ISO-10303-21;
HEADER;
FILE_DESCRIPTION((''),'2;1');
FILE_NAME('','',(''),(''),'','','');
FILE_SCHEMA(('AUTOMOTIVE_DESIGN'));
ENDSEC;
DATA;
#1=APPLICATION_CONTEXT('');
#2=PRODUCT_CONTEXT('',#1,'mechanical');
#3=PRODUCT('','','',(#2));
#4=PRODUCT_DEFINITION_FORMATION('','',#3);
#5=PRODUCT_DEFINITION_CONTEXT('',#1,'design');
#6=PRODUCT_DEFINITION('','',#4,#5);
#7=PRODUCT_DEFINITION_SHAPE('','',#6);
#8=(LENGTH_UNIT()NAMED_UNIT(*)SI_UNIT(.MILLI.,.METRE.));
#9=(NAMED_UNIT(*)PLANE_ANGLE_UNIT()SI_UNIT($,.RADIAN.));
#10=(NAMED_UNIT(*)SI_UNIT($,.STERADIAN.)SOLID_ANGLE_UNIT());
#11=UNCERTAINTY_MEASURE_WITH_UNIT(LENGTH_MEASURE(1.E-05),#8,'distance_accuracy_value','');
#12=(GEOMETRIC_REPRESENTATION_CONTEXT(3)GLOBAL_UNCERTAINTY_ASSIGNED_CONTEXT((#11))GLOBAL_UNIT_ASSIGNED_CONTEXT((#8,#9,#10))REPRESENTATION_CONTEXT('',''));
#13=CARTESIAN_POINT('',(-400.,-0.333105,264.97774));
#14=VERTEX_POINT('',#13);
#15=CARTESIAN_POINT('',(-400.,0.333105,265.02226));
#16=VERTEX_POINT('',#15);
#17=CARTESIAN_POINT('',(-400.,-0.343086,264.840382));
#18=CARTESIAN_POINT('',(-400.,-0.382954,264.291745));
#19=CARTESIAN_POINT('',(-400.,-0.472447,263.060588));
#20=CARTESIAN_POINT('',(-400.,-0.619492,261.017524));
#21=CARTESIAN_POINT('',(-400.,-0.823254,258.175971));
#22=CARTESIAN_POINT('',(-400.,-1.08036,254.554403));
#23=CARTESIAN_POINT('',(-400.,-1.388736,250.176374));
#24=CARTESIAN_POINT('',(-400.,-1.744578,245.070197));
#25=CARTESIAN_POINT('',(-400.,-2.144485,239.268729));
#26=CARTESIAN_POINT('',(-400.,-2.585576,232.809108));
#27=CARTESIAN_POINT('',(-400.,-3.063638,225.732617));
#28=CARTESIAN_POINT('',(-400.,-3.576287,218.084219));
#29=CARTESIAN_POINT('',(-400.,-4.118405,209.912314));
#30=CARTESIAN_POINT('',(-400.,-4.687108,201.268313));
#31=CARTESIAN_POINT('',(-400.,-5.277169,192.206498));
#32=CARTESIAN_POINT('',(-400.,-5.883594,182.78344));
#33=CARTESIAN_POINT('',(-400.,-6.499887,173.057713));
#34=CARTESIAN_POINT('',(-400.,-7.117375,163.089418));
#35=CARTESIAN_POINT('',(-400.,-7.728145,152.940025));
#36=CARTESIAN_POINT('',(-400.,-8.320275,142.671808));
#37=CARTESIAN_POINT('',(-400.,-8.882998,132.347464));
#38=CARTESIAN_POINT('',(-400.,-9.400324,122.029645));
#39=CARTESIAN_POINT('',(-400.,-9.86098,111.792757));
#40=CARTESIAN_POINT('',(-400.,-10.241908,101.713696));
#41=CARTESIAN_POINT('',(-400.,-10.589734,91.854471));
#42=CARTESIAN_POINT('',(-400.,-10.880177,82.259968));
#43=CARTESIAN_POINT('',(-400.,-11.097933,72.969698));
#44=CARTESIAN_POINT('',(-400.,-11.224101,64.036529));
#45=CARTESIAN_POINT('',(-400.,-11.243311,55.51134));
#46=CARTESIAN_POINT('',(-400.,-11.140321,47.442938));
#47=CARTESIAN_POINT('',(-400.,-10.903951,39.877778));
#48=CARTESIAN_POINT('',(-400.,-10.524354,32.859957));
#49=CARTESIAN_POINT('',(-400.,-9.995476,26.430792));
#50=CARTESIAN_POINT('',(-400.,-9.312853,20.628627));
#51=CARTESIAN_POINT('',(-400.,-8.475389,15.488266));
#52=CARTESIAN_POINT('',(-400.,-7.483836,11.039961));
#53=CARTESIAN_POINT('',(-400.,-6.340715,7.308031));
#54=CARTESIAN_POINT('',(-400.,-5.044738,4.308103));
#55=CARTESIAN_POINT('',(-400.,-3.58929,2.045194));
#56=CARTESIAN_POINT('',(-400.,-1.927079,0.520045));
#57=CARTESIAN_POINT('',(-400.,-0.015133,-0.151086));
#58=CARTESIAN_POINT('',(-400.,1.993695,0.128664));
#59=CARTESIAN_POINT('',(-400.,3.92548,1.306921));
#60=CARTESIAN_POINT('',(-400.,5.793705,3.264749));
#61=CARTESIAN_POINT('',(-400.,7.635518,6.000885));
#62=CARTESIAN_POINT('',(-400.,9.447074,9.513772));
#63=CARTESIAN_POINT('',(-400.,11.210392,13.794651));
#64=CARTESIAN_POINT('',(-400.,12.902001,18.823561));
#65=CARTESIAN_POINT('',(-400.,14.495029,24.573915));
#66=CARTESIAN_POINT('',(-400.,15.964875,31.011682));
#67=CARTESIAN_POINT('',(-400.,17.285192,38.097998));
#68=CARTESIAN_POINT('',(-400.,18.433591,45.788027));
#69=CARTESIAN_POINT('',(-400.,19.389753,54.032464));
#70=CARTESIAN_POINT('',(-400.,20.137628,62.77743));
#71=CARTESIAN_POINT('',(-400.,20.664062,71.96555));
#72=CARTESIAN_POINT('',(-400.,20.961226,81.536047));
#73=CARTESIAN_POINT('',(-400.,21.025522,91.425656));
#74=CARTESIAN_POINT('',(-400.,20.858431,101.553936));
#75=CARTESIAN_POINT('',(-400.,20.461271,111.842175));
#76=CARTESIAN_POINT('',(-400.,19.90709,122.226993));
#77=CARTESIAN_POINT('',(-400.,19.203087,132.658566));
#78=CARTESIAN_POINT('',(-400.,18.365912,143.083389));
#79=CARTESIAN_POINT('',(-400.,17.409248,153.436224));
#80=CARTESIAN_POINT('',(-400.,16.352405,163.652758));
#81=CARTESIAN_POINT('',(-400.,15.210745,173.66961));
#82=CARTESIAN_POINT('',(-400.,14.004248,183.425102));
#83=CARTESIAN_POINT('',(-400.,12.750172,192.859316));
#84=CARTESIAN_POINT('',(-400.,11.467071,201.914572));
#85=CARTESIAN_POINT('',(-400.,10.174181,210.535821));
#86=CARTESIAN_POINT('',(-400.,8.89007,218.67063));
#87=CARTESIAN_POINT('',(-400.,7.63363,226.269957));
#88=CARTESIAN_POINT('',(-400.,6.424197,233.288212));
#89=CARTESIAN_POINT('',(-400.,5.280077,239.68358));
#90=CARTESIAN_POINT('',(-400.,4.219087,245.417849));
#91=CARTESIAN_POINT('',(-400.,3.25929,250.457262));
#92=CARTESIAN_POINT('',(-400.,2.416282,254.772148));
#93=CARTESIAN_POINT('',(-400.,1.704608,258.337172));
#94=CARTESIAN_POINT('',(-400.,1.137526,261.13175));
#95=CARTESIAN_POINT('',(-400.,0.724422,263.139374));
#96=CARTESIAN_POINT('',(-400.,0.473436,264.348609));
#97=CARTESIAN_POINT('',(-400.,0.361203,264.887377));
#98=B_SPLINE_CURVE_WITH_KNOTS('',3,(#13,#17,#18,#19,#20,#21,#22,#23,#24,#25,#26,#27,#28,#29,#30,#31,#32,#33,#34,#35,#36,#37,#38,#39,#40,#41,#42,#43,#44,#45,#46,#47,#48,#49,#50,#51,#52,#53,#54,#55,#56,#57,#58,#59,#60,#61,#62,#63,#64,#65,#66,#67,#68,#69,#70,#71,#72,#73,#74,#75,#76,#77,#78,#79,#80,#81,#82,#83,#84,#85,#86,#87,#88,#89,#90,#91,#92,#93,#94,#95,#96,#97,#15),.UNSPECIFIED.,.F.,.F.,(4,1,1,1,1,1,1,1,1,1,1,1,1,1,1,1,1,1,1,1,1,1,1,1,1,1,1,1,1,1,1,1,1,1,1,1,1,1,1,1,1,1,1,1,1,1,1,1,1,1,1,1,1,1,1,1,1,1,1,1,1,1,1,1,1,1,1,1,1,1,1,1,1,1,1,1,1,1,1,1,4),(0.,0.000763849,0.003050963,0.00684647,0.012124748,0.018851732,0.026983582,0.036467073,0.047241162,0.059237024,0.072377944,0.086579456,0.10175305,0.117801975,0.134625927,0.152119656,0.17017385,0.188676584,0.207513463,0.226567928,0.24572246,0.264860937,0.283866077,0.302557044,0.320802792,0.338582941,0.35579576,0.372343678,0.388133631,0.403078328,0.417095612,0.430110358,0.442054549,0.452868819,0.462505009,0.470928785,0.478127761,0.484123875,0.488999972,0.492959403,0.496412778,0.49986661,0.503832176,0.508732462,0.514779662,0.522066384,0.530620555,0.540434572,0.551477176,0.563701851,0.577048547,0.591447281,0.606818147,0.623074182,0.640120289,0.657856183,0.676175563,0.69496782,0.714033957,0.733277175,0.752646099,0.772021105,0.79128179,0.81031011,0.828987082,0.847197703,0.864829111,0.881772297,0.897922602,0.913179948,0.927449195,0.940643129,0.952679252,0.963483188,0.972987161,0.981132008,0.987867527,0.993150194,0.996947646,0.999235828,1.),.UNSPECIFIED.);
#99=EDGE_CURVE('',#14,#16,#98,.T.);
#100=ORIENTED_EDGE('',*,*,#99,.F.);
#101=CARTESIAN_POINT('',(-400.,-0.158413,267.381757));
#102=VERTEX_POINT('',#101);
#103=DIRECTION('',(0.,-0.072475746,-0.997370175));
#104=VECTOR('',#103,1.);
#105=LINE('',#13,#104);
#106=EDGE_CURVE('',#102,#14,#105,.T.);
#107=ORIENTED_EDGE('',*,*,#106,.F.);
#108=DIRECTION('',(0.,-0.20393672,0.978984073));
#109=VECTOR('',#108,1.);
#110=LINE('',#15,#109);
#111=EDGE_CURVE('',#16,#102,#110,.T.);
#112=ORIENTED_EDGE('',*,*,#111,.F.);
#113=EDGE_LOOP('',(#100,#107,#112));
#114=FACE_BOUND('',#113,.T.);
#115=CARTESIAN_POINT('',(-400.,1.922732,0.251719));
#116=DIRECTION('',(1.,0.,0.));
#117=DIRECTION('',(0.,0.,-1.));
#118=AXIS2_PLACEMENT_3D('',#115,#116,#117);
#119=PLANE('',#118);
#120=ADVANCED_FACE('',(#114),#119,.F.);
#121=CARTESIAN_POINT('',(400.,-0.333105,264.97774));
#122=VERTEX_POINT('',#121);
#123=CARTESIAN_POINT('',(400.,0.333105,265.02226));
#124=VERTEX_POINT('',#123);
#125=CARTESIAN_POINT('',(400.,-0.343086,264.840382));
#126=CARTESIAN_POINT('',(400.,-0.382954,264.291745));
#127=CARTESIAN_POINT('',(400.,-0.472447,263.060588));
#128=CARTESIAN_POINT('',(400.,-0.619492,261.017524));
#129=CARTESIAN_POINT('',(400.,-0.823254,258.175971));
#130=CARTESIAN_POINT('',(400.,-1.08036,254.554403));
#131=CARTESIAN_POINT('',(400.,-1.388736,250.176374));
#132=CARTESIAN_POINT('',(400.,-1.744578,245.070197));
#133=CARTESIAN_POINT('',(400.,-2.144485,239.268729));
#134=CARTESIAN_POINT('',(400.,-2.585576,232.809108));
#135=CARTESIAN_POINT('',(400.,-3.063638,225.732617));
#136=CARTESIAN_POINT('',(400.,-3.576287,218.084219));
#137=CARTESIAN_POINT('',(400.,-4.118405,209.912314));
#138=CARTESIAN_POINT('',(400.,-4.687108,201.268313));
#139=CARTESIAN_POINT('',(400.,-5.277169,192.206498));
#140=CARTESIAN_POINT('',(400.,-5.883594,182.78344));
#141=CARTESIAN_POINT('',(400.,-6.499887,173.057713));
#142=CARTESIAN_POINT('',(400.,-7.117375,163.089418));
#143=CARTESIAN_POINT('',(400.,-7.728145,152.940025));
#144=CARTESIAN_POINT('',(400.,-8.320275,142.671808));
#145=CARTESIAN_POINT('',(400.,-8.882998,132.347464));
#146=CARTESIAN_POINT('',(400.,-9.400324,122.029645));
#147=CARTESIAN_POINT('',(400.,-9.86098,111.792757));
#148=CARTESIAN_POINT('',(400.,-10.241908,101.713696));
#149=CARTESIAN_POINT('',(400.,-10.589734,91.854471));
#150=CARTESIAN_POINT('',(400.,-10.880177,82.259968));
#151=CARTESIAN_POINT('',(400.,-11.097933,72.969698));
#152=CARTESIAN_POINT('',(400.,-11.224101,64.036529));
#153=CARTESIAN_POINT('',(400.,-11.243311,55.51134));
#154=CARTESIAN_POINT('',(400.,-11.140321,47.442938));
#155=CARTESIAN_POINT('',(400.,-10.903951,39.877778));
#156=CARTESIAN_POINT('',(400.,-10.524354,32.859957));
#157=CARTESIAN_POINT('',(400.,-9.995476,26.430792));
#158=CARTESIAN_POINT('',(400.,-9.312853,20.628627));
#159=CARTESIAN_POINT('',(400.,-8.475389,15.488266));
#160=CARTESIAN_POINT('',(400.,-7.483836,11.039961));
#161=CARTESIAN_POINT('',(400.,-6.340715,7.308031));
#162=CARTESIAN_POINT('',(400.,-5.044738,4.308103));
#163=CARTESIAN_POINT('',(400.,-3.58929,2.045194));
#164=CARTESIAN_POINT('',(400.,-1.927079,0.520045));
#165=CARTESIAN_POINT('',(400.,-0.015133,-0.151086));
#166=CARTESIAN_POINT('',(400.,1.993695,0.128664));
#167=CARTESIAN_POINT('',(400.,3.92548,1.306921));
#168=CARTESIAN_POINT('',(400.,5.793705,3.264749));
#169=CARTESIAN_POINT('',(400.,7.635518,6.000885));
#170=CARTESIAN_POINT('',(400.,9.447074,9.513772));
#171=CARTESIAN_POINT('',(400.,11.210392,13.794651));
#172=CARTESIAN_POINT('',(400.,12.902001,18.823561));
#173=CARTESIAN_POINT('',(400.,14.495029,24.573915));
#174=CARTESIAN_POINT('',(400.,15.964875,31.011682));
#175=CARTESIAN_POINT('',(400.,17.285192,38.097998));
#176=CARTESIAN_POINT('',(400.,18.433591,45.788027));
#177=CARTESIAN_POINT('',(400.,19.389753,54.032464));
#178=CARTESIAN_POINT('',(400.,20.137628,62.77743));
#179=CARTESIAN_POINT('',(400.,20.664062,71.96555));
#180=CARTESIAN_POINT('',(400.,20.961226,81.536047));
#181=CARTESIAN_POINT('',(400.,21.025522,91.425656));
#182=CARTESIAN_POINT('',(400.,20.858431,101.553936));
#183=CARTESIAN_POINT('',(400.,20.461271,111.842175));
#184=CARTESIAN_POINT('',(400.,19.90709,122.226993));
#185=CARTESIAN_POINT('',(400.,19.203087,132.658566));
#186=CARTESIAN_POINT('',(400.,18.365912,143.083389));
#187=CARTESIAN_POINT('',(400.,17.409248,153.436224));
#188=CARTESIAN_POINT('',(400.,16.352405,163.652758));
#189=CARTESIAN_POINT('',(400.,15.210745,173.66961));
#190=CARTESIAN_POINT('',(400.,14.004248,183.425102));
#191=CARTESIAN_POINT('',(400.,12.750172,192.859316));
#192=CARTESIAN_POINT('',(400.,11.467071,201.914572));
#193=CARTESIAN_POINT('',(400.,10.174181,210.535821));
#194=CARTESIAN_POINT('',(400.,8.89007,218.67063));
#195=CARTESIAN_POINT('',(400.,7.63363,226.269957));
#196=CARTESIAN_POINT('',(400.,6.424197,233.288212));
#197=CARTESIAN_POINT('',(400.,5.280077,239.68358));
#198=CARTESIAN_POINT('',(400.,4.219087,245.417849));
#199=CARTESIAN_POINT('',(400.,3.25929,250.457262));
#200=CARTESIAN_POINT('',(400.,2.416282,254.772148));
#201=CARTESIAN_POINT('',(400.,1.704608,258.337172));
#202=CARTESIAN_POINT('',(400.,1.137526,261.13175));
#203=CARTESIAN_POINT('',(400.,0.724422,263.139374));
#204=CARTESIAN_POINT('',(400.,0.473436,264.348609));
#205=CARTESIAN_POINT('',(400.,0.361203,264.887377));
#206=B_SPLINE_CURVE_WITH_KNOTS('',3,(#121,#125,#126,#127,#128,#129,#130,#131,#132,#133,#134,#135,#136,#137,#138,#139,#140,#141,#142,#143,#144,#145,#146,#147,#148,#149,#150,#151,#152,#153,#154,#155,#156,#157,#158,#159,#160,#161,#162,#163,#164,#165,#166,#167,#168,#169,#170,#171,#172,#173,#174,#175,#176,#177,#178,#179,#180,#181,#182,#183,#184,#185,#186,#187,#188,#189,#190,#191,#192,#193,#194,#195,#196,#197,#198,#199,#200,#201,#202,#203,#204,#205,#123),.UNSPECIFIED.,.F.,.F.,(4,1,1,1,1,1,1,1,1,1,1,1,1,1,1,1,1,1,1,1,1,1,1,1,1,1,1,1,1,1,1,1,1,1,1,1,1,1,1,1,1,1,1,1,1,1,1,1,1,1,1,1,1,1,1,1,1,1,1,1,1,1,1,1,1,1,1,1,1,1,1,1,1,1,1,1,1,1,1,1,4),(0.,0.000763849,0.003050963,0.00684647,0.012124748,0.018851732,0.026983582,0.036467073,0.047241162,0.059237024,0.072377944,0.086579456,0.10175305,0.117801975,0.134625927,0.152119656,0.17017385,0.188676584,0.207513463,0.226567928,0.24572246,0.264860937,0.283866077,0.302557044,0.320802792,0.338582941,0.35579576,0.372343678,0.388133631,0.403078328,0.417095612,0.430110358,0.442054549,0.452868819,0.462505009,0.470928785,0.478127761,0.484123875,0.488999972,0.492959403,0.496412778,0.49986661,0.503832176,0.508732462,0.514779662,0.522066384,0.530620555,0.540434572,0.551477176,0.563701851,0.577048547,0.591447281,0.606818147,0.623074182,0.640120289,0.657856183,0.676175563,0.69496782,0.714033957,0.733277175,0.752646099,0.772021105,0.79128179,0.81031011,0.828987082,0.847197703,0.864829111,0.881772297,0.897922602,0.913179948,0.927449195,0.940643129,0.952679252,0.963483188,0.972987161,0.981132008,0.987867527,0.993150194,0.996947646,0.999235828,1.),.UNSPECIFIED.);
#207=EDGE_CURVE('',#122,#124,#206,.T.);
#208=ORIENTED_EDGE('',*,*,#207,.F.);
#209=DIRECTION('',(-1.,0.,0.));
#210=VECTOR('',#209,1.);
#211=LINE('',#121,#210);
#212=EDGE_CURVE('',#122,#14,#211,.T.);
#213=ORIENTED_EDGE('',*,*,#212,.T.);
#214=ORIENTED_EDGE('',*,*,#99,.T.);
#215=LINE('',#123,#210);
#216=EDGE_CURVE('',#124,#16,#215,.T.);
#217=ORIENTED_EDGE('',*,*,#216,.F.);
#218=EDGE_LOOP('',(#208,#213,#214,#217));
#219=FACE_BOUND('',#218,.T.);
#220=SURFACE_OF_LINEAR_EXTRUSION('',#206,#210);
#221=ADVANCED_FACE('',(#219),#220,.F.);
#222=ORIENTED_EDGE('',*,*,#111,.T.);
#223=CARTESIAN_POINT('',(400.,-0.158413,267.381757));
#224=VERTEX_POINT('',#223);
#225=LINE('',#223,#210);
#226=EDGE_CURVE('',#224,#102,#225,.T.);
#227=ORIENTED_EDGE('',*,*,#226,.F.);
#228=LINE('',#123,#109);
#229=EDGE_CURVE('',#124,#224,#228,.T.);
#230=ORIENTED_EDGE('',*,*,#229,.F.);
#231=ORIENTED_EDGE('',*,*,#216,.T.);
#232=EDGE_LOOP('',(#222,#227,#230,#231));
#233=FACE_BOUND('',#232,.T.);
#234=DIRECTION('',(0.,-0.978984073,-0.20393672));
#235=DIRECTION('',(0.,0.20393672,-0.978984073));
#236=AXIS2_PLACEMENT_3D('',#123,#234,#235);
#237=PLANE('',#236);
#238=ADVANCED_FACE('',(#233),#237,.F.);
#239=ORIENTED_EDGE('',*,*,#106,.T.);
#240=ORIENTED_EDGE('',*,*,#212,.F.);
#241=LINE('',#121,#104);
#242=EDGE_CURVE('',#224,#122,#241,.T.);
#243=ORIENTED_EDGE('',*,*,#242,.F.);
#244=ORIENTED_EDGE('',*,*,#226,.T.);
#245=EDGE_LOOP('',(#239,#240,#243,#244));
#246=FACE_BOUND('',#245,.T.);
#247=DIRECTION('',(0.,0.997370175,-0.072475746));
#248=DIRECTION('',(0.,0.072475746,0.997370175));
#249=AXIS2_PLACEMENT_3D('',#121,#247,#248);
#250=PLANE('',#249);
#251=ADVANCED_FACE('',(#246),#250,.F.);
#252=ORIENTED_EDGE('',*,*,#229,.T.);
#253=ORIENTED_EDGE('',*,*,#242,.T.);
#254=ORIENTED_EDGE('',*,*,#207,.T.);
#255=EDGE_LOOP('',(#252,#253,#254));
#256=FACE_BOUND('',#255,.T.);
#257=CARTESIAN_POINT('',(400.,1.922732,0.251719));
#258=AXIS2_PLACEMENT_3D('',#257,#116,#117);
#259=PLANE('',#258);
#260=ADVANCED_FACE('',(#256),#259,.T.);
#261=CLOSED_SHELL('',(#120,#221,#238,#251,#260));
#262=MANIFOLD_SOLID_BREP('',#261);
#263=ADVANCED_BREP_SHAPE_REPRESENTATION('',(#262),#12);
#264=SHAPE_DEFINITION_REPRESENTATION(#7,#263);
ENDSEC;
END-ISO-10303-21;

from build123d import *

# Parameters (mm, degrees)
BOSS_EXTRUDE1_DEPTH = 400


with BuildPart() as part:
    # Sketch1 → Boss-Extrude1 (new body, symmetric)
    with BuildSketch(Plane(origin=(0, 0, 0), x_dir=(0, 0, -1), z_dir=(1, 0, 0))):
        with BuildLine():
            Line((-265.02226, 0.333105), (-267.381756582, -0.158412694))
            Line((-267.381756582, -0.158412694), (-264.97774, -0.333105))
            add(Edge.make_bspline(
                [(-265.02226, 0.333105), (-264.887376701, 0.361203167), (-264.348608843, 0.473436402), (-263.139373937, 0.724422494), (-261.13175, 1.137526355), (-258.337172417, 1.704607814), (-254.77214836, 2.41628191), (-250.457262183, 3.259289619), (-245.417849169, 4.219087105), (-239.683580205, 5.280076642), (-233.288212255, 6.424196883), (-226.269957295, 7.633629815), (-218.670630042, 8.890069764), (-210.535821316, 10.174181337), (-201.914571502, 11.467071445), (-192.859315617, 12.750171896), (-183.425101929, 14.004248304), (-173.669610491, 15.210745028), (-163.652758489, 16.352405033), (-153.436223744, 17.409248243), (-143.083389014, 18.36591166), (-132.658565599, 19.203086616), (-122.226992545, 19.907089949), (-111.842174889, 20.461271061), (-101.553936183, 20.858430603), (-91.425655621, 21.025521828), (-81.536046791, 20.961226395), (-71.965550437, 20.664062236), (-62.777430291, 20.137628463), (-54.032464252, 19.389752881), (-45.788026858, 18.433590891), (-38.097997769, 17.285191603), (-31.011682065, 15.96487512), (-24.57391526, 14.495029451), (-18.823561114, 12.902000752), (-13.794651419, 11.21039181), (-9.513772463, 9.447073758), (-6.000885385, 7.635517602), (-3.264749076, 5.79370516), (-1.306921014, 3.92547996), (-0.128663517, 1.993694538), (0.151086197, -0.015132607), (-0.520044606, -1.927078765), (-2.04519397, -3.589289613), (-4.308102643, -5.044738082), (-7.308031355, -6.340715102), (-11.039960644, -7.483835955), (-15.488266155, -8.475389165), (-20.628626587, -9.312853368), (-26.430792204, -9.9954763), (-32.859957453, -10.524354158), (-39.877777854, -10.90395114), (-47.442938194, -11.140321093), (-55.511340396, -11.243311258), (-64.036529176, -11.224101011), (-72.969697841, -11.09793259), (-82.259968207, -10.880177194), (-91.854470541, -10.589734498), (-101.7136957, -10.241908407), (-111.792756577, -9.86098005), (-122.029645296, -9.400323898), (-132.347464274, -8.882997589), (-142.671807574, -8.320275087), (-152.940024856, -7.728145366), (-163.089417584, -7.117374594), (-173.057713445, -6.499887188), (-182.783440418, -5.883594127), (-192.20649845, -5.277169282), (-201.268312633, -4.687108302), (-209.912313525, -4.118405006), (-218.084219069, -3.576286916), (-225.73261747, -3.0636375), (-232.809108358, -2.585576089), (-239.268728848, -2.144484612), (-245.070197097, -1.74457804), (-250.176374287, -1.388736042), (-254.554402568, -1.080359835), (-258.175971421, -0.823254103), (-261.017524089, -0.619491603), (-263.060588228, -0.472447332), (-264.291745446, -0.382954062), (-264.840381648, -0.343086398), (-264.97774, -0.333105)],
                knots=[0, 0, 0, 0, 0.000764172, 0.003052354, 0.006849806, 0.012132473, 0.018867992, 0.027012839, 0.036516812, 0.047320748, 0.059356871, 0.072550805, 0.086820052, 0.102077398, 0.118227703, 0.135170889, 0.152802297, 0.171012918, 0.18968989, 0.20871821, 0.227978895, 0.247353901, 0.266722825, 0.285966043, 0.30503218, 0.323824437, 0.342143817, 0.359879711, 0.376925818, 0.393181853, 0.408552719, 0.422951453, 0.436298149, 0.448522824, 0.459565428, 0.469379445, 0.477933616, 0.485220338, 0.491267538, 0.496167824, 0.50013339, 0.503587222, 0.507040597, 0.511000028, 0.515876125, 0.521872239, 0.529071215, 0.537494991, 0.547131181, 0.557945451, 0.569889642, 0.582904388, 0.596921672, 0.611866369, 0.627656322, 0.64420424, 0.661417059, 0.679197208, 0.697442956, 0.716133923, 0.735139063, 0.75427754, 0.773432072, 0.792486537, 0.811323416, 0.82982615, 0.847880344, 0.865374073, 0.882198025, 0.89824695, 0.913420544, 0.927622056, 0.940762976, 0.952758838, 0.963532927, 0.973016418, 0.981148268, 0.987875252, 0.99315353, 0.996949037, 0.999236151, 1, 1, 1, 1], degree=3))
        make_face()
    extrude(amount=BOSS_EXTRUDE1_DEPTH, both=True)


solid = part.part
